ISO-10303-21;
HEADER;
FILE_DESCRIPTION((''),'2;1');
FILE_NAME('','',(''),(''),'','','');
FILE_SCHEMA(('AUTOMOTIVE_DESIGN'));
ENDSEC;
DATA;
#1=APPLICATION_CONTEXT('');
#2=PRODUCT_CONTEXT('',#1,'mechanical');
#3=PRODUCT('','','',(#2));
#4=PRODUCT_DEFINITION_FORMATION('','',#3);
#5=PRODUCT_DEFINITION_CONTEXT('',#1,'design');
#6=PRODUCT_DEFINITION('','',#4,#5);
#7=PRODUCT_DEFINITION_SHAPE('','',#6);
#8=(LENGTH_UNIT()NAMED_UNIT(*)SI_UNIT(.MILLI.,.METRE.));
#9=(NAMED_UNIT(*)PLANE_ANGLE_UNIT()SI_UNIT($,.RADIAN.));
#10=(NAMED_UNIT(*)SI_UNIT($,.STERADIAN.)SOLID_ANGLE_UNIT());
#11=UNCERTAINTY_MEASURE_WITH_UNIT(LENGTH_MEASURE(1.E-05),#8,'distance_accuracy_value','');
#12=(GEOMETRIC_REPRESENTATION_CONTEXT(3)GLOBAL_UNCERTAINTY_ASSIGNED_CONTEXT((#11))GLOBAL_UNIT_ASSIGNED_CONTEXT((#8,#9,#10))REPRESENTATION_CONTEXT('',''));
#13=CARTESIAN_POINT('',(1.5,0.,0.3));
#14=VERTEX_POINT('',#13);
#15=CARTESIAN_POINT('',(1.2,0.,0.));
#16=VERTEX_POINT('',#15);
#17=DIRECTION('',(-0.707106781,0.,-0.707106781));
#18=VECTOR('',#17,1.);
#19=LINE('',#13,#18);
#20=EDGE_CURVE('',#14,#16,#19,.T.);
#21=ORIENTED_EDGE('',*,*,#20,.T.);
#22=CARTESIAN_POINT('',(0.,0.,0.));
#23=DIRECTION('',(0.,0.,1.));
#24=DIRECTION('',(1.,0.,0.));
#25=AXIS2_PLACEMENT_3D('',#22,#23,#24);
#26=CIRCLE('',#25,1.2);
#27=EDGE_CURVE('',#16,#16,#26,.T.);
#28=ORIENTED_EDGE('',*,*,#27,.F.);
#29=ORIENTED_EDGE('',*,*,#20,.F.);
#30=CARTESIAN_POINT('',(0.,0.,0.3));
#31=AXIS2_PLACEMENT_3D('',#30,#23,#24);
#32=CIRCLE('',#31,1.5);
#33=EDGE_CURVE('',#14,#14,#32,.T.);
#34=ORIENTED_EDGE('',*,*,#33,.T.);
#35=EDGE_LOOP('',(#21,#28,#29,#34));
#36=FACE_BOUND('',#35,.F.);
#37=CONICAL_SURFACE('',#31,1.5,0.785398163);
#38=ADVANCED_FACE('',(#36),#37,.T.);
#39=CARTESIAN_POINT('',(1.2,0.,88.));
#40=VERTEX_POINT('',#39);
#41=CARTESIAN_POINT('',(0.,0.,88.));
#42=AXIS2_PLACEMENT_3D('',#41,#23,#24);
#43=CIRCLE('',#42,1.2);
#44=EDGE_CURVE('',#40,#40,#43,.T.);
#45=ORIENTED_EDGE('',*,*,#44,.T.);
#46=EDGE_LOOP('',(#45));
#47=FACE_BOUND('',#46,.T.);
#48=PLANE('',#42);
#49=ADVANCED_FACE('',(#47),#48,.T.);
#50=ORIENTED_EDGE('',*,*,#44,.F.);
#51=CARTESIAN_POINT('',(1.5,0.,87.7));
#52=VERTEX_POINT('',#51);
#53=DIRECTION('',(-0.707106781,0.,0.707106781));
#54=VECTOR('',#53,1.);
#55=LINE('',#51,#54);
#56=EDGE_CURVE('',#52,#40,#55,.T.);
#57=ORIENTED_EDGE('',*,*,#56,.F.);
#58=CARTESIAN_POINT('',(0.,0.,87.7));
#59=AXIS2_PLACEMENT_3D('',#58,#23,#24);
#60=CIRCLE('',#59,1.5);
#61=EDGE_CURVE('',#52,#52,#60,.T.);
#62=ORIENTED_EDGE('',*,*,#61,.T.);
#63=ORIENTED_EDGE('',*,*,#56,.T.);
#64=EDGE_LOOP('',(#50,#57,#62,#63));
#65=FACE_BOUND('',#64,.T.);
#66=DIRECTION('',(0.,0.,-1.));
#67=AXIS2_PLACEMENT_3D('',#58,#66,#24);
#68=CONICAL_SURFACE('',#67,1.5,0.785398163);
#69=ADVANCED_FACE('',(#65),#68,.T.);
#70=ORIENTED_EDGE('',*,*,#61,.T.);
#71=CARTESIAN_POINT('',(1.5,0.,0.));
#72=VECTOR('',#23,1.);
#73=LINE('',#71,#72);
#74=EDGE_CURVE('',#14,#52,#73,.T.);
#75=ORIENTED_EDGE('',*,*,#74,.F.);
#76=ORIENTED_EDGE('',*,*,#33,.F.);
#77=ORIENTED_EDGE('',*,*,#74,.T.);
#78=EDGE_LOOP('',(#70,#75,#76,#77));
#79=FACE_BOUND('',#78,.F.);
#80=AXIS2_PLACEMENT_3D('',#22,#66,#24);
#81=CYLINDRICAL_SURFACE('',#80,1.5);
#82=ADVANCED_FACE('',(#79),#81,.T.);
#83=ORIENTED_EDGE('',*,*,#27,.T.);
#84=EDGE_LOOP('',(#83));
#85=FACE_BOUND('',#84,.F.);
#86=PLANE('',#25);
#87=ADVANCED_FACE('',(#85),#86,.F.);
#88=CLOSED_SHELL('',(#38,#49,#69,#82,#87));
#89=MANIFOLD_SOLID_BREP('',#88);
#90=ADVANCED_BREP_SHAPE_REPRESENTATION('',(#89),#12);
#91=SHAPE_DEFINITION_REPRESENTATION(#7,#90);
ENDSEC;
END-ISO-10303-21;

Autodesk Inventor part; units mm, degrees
ref_plane "YZ Plane" through (0, 0, 0) normal (1, 0, 0) x (0, 1, 0)
ref_plane "XZ Plane" through (0, 0, 0) normal (0, 1, 0) x (-1, 0, 0)
ref_plane "XY Plane" through (0, 0, 0) normal (0, 0, 1) x (1, 0, 0)
sketch "Skizze1" plane through (0, 0, 0) normal (0, 0, 1) x (1, 0, 0)
  circle A0 centre (0, 0) radius 1.5
  dimension "d0" = 3
extrude "Extrusion1" add sketch "Skizze1" along normal blind 88
thread "Gewinde1" size "M3x0.5" class "6g" standard "ANSI Metric M Profile" full length
chamfer "Fase1" distance 0.3 angle 45 2 edges at (-1.5, 0, 88) (-1.5, 0, 0)
properties part number "Gewindestange M3x88mm" material "Stahl"
